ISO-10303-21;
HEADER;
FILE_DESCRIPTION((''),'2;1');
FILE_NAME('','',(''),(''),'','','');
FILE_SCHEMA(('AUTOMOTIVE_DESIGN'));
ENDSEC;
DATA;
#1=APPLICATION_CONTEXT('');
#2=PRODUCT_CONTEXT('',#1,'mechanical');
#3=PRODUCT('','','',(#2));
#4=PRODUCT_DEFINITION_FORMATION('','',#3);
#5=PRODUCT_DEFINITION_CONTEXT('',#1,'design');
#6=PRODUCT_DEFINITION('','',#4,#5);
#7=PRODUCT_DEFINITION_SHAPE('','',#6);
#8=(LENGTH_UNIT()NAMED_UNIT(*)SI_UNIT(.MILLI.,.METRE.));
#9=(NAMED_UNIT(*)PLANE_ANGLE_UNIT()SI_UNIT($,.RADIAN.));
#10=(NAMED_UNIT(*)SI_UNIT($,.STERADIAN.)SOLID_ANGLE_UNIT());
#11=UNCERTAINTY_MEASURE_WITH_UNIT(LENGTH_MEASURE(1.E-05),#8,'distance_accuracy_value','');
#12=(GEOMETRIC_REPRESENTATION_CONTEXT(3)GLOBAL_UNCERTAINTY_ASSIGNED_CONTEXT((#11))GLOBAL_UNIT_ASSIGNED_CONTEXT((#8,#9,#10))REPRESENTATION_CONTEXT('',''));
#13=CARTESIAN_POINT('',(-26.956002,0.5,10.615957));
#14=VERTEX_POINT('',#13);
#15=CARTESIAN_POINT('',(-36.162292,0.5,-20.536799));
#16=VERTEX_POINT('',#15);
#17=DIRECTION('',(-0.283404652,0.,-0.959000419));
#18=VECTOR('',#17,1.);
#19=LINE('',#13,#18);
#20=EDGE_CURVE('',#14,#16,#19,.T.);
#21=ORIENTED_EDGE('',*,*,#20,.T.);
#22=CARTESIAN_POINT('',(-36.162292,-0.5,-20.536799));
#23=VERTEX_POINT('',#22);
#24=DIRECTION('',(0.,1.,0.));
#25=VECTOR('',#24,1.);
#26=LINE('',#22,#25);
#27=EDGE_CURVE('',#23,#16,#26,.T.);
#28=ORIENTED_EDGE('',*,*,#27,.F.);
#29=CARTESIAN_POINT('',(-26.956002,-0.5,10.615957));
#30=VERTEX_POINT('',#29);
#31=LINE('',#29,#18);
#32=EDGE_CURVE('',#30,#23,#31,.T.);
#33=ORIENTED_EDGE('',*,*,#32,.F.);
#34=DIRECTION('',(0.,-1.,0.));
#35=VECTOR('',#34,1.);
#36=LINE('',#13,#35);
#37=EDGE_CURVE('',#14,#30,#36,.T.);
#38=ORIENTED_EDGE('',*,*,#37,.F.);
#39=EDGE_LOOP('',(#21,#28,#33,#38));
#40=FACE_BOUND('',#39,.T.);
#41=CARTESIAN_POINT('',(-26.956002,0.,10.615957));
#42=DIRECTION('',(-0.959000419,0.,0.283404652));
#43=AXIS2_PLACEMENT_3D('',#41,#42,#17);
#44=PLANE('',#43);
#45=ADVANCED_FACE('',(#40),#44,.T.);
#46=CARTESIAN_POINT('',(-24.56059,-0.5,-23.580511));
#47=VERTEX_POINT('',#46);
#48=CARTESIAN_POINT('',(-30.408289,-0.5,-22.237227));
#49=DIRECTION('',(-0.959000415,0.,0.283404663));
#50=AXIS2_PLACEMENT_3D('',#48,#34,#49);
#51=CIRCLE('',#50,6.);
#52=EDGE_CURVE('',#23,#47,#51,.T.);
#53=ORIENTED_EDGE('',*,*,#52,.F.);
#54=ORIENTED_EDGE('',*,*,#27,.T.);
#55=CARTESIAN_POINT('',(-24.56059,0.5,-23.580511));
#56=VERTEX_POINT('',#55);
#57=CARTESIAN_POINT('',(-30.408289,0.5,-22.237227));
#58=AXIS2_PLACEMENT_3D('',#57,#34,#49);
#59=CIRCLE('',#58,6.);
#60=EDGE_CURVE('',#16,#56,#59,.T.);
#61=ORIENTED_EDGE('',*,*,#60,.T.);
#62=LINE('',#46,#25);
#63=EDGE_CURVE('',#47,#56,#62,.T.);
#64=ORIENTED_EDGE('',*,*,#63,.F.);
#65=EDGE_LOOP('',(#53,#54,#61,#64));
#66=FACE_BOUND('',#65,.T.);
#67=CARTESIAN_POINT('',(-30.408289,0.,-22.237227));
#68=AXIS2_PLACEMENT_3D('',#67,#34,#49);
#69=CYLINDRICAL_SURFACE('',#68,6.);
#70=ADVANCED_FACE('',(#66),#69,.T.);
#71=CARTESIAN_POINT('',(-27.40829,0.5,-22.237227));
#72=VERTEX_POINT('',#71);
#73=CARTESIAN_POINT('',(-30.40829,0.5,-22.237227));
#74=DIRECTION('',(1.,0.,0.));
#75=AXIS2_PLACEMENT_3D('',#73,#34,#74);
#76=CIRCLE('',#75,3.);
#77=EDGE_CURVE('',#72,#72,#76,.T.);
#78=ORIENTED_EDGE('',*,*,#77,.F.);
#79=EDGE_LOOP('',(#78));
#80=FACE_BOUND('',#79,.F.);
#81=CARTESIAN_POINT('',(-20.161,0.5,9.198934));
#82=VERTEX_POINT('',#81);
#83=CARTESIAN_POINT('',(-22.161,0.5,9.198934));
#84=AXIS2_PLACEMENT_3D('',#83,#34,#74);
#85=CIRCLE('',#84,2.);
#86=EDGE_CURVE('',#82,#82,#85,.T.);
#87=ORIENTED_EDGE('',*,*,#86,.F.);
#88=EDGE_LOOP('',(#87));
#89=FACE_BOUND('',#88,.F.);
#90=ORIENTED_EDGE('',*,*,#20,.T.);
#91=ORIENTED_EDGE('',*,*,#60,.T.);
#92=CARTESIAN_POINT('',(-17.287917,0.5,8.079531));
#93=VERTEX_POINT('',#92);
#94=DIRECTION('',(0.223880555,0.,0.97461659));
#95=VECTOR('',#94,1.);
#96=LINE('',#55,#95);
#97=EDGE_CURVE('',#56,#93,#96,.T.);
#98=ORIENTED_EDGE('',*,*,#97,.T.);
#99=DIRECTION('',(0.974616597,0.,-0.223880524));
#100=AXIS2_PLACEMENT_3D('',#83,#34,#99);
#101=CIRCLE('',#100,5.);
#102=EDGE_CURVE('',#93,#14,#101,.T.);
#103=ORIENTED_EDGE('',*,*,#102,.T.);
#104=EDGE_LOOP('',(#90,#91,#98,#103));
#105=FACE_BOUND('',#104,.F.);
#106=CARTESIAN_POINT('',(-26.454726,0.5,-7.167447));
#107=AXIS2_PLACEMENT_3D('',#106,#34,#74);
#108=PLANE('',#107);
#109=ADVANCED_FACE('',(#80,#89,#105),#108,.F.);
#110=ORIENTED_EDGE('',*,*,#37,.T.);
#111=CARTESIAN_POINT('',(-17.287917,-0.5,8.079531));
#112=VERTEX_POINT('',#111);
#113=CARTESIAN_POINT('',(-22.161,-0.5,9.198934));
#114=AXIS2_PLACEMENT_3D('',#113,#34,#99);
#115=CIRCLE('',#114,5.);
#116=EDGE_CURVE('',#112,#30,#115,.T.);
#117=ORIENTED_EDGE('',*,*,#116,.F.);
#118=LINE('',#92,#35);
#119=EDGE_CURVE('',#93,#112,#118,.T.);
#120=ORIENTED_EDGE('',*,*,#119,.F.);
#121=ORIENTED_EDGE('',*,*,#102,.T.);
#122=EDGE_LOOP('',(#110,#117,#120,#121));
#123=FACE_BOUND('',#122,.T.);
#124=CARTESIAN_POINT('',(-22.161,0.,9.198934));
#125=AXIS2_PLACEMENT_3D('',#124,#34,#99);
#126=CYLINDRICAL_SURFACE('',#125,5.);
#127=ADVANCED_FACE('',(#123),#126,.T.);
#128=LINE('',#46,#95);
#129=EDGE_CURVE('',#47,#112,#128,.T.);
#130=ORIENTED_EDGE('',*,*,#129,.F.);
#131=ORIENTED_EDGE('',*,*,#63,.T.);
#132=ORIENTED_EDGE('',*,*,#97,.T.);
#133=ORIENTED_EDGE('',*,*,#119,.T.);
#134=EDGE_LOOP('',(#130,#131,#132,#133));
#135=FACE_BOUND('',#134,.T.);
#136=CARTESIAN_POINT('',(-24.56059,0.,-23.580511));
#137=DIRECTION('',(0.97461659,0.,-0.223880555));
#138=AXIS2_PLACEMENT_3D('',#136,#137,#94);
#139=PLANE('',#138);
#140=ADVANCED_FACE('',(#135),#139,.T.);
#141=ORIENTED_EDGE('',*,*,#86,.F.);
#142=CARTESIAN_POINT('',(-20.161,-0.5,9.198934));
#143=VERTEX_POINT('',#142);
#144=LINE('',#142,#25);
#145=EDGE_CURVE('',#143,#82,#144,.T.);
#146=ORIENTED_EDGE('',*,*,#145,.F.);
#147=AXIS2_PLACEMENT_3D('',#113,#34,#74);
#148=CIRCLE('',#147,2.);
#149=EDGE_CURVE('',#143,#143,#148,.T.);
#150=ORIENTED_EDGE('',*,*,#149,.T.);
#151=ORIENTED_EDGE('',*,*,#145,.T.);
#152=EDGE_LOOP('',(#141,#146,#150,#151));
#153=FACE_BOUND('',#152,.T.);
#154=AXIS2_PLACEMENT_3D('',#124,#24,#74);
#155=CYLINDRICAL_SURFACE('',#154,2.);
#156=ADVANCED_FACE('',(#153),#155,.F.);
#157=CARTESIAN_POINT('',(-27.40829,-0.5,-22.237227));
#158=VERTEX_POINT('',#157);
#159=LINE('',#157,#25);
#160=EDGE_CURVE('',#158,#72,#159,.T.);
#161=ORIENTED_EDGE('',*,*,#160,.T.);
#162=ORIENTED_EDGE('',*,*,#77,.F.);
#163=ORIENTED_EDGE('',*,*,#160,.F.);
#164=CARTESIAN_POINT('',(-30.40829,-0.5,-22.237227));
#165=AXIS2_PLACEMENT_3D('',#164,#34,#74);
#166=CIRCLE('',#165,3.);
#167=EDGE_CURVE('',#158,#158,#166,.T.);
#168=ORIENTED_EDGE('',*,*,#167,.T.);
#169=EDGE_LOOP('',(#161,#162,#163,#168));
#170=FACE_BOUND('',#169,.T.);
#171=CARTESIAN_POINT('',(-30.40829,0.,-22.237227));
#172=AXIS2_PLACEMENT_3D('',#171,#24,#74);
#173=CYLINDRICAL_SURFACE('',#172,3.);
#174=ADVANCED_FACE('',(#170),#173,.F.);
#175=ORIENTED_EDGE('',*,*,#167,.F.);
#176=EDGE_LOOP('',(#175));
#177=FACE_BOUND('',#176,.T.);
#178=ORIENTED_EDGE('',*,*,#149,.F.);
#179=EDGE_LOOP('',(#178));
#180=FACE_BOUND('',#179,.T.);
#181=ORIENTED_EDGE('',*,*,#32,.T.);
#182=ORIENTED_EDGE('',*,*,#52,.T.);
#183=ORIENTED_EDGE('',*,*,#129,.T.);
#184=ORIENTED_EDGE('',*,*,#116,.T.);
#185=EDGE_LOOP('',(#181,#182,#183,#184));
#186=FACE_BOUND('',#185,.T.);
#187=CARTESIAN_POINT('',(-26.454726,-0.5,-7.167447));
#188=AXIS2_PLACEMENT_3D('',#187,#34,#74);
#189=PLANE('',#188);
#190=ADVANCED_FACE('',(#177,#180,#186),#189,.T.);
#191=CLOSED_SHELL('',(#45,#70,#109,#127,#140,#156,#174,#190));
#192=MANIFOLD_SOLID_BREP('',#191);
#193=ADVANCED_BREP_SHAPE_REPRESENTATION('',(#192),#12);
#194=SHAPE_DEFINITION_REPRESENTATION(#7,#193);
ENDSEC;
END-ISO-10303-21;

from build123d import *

# Parameters (mm, degrees)
F0_R     = 3
F0_R_2   = 2
F1_DEPTH = 0.5


with BuildPart() as f1:
    # F0 (on Front) → F1 (new body, symmetric)
    with BuildSketch(Plane.XZ):
        with BuildLine():
            Line((-24.56059, -23.580511), (-17.287917, 8.079531))
            ThreePointArc((-17.287917, 8.079531), (-20.892186, 14.035266), (-26.956002, 10.615957))
            Line((-26.956002, 10.615957), (-36.162292, -20.536799))
            ThreePointArc((-36.162292, -20.536799), (-31.930866, -28.040826), (-24.56059, -23.580511))
        make_face()
        with Locations((-30.40829, -22.237227)):
            Circle(F0_R, mode=Mode.SUBTRACT)
        with Locations((-22.161, 9.198934)):
            Circle(F0_R_2, mode=Mode.SUBTRACT)
    extrude(amount=F1_DEPTH, both=True)


solid = f1.part
